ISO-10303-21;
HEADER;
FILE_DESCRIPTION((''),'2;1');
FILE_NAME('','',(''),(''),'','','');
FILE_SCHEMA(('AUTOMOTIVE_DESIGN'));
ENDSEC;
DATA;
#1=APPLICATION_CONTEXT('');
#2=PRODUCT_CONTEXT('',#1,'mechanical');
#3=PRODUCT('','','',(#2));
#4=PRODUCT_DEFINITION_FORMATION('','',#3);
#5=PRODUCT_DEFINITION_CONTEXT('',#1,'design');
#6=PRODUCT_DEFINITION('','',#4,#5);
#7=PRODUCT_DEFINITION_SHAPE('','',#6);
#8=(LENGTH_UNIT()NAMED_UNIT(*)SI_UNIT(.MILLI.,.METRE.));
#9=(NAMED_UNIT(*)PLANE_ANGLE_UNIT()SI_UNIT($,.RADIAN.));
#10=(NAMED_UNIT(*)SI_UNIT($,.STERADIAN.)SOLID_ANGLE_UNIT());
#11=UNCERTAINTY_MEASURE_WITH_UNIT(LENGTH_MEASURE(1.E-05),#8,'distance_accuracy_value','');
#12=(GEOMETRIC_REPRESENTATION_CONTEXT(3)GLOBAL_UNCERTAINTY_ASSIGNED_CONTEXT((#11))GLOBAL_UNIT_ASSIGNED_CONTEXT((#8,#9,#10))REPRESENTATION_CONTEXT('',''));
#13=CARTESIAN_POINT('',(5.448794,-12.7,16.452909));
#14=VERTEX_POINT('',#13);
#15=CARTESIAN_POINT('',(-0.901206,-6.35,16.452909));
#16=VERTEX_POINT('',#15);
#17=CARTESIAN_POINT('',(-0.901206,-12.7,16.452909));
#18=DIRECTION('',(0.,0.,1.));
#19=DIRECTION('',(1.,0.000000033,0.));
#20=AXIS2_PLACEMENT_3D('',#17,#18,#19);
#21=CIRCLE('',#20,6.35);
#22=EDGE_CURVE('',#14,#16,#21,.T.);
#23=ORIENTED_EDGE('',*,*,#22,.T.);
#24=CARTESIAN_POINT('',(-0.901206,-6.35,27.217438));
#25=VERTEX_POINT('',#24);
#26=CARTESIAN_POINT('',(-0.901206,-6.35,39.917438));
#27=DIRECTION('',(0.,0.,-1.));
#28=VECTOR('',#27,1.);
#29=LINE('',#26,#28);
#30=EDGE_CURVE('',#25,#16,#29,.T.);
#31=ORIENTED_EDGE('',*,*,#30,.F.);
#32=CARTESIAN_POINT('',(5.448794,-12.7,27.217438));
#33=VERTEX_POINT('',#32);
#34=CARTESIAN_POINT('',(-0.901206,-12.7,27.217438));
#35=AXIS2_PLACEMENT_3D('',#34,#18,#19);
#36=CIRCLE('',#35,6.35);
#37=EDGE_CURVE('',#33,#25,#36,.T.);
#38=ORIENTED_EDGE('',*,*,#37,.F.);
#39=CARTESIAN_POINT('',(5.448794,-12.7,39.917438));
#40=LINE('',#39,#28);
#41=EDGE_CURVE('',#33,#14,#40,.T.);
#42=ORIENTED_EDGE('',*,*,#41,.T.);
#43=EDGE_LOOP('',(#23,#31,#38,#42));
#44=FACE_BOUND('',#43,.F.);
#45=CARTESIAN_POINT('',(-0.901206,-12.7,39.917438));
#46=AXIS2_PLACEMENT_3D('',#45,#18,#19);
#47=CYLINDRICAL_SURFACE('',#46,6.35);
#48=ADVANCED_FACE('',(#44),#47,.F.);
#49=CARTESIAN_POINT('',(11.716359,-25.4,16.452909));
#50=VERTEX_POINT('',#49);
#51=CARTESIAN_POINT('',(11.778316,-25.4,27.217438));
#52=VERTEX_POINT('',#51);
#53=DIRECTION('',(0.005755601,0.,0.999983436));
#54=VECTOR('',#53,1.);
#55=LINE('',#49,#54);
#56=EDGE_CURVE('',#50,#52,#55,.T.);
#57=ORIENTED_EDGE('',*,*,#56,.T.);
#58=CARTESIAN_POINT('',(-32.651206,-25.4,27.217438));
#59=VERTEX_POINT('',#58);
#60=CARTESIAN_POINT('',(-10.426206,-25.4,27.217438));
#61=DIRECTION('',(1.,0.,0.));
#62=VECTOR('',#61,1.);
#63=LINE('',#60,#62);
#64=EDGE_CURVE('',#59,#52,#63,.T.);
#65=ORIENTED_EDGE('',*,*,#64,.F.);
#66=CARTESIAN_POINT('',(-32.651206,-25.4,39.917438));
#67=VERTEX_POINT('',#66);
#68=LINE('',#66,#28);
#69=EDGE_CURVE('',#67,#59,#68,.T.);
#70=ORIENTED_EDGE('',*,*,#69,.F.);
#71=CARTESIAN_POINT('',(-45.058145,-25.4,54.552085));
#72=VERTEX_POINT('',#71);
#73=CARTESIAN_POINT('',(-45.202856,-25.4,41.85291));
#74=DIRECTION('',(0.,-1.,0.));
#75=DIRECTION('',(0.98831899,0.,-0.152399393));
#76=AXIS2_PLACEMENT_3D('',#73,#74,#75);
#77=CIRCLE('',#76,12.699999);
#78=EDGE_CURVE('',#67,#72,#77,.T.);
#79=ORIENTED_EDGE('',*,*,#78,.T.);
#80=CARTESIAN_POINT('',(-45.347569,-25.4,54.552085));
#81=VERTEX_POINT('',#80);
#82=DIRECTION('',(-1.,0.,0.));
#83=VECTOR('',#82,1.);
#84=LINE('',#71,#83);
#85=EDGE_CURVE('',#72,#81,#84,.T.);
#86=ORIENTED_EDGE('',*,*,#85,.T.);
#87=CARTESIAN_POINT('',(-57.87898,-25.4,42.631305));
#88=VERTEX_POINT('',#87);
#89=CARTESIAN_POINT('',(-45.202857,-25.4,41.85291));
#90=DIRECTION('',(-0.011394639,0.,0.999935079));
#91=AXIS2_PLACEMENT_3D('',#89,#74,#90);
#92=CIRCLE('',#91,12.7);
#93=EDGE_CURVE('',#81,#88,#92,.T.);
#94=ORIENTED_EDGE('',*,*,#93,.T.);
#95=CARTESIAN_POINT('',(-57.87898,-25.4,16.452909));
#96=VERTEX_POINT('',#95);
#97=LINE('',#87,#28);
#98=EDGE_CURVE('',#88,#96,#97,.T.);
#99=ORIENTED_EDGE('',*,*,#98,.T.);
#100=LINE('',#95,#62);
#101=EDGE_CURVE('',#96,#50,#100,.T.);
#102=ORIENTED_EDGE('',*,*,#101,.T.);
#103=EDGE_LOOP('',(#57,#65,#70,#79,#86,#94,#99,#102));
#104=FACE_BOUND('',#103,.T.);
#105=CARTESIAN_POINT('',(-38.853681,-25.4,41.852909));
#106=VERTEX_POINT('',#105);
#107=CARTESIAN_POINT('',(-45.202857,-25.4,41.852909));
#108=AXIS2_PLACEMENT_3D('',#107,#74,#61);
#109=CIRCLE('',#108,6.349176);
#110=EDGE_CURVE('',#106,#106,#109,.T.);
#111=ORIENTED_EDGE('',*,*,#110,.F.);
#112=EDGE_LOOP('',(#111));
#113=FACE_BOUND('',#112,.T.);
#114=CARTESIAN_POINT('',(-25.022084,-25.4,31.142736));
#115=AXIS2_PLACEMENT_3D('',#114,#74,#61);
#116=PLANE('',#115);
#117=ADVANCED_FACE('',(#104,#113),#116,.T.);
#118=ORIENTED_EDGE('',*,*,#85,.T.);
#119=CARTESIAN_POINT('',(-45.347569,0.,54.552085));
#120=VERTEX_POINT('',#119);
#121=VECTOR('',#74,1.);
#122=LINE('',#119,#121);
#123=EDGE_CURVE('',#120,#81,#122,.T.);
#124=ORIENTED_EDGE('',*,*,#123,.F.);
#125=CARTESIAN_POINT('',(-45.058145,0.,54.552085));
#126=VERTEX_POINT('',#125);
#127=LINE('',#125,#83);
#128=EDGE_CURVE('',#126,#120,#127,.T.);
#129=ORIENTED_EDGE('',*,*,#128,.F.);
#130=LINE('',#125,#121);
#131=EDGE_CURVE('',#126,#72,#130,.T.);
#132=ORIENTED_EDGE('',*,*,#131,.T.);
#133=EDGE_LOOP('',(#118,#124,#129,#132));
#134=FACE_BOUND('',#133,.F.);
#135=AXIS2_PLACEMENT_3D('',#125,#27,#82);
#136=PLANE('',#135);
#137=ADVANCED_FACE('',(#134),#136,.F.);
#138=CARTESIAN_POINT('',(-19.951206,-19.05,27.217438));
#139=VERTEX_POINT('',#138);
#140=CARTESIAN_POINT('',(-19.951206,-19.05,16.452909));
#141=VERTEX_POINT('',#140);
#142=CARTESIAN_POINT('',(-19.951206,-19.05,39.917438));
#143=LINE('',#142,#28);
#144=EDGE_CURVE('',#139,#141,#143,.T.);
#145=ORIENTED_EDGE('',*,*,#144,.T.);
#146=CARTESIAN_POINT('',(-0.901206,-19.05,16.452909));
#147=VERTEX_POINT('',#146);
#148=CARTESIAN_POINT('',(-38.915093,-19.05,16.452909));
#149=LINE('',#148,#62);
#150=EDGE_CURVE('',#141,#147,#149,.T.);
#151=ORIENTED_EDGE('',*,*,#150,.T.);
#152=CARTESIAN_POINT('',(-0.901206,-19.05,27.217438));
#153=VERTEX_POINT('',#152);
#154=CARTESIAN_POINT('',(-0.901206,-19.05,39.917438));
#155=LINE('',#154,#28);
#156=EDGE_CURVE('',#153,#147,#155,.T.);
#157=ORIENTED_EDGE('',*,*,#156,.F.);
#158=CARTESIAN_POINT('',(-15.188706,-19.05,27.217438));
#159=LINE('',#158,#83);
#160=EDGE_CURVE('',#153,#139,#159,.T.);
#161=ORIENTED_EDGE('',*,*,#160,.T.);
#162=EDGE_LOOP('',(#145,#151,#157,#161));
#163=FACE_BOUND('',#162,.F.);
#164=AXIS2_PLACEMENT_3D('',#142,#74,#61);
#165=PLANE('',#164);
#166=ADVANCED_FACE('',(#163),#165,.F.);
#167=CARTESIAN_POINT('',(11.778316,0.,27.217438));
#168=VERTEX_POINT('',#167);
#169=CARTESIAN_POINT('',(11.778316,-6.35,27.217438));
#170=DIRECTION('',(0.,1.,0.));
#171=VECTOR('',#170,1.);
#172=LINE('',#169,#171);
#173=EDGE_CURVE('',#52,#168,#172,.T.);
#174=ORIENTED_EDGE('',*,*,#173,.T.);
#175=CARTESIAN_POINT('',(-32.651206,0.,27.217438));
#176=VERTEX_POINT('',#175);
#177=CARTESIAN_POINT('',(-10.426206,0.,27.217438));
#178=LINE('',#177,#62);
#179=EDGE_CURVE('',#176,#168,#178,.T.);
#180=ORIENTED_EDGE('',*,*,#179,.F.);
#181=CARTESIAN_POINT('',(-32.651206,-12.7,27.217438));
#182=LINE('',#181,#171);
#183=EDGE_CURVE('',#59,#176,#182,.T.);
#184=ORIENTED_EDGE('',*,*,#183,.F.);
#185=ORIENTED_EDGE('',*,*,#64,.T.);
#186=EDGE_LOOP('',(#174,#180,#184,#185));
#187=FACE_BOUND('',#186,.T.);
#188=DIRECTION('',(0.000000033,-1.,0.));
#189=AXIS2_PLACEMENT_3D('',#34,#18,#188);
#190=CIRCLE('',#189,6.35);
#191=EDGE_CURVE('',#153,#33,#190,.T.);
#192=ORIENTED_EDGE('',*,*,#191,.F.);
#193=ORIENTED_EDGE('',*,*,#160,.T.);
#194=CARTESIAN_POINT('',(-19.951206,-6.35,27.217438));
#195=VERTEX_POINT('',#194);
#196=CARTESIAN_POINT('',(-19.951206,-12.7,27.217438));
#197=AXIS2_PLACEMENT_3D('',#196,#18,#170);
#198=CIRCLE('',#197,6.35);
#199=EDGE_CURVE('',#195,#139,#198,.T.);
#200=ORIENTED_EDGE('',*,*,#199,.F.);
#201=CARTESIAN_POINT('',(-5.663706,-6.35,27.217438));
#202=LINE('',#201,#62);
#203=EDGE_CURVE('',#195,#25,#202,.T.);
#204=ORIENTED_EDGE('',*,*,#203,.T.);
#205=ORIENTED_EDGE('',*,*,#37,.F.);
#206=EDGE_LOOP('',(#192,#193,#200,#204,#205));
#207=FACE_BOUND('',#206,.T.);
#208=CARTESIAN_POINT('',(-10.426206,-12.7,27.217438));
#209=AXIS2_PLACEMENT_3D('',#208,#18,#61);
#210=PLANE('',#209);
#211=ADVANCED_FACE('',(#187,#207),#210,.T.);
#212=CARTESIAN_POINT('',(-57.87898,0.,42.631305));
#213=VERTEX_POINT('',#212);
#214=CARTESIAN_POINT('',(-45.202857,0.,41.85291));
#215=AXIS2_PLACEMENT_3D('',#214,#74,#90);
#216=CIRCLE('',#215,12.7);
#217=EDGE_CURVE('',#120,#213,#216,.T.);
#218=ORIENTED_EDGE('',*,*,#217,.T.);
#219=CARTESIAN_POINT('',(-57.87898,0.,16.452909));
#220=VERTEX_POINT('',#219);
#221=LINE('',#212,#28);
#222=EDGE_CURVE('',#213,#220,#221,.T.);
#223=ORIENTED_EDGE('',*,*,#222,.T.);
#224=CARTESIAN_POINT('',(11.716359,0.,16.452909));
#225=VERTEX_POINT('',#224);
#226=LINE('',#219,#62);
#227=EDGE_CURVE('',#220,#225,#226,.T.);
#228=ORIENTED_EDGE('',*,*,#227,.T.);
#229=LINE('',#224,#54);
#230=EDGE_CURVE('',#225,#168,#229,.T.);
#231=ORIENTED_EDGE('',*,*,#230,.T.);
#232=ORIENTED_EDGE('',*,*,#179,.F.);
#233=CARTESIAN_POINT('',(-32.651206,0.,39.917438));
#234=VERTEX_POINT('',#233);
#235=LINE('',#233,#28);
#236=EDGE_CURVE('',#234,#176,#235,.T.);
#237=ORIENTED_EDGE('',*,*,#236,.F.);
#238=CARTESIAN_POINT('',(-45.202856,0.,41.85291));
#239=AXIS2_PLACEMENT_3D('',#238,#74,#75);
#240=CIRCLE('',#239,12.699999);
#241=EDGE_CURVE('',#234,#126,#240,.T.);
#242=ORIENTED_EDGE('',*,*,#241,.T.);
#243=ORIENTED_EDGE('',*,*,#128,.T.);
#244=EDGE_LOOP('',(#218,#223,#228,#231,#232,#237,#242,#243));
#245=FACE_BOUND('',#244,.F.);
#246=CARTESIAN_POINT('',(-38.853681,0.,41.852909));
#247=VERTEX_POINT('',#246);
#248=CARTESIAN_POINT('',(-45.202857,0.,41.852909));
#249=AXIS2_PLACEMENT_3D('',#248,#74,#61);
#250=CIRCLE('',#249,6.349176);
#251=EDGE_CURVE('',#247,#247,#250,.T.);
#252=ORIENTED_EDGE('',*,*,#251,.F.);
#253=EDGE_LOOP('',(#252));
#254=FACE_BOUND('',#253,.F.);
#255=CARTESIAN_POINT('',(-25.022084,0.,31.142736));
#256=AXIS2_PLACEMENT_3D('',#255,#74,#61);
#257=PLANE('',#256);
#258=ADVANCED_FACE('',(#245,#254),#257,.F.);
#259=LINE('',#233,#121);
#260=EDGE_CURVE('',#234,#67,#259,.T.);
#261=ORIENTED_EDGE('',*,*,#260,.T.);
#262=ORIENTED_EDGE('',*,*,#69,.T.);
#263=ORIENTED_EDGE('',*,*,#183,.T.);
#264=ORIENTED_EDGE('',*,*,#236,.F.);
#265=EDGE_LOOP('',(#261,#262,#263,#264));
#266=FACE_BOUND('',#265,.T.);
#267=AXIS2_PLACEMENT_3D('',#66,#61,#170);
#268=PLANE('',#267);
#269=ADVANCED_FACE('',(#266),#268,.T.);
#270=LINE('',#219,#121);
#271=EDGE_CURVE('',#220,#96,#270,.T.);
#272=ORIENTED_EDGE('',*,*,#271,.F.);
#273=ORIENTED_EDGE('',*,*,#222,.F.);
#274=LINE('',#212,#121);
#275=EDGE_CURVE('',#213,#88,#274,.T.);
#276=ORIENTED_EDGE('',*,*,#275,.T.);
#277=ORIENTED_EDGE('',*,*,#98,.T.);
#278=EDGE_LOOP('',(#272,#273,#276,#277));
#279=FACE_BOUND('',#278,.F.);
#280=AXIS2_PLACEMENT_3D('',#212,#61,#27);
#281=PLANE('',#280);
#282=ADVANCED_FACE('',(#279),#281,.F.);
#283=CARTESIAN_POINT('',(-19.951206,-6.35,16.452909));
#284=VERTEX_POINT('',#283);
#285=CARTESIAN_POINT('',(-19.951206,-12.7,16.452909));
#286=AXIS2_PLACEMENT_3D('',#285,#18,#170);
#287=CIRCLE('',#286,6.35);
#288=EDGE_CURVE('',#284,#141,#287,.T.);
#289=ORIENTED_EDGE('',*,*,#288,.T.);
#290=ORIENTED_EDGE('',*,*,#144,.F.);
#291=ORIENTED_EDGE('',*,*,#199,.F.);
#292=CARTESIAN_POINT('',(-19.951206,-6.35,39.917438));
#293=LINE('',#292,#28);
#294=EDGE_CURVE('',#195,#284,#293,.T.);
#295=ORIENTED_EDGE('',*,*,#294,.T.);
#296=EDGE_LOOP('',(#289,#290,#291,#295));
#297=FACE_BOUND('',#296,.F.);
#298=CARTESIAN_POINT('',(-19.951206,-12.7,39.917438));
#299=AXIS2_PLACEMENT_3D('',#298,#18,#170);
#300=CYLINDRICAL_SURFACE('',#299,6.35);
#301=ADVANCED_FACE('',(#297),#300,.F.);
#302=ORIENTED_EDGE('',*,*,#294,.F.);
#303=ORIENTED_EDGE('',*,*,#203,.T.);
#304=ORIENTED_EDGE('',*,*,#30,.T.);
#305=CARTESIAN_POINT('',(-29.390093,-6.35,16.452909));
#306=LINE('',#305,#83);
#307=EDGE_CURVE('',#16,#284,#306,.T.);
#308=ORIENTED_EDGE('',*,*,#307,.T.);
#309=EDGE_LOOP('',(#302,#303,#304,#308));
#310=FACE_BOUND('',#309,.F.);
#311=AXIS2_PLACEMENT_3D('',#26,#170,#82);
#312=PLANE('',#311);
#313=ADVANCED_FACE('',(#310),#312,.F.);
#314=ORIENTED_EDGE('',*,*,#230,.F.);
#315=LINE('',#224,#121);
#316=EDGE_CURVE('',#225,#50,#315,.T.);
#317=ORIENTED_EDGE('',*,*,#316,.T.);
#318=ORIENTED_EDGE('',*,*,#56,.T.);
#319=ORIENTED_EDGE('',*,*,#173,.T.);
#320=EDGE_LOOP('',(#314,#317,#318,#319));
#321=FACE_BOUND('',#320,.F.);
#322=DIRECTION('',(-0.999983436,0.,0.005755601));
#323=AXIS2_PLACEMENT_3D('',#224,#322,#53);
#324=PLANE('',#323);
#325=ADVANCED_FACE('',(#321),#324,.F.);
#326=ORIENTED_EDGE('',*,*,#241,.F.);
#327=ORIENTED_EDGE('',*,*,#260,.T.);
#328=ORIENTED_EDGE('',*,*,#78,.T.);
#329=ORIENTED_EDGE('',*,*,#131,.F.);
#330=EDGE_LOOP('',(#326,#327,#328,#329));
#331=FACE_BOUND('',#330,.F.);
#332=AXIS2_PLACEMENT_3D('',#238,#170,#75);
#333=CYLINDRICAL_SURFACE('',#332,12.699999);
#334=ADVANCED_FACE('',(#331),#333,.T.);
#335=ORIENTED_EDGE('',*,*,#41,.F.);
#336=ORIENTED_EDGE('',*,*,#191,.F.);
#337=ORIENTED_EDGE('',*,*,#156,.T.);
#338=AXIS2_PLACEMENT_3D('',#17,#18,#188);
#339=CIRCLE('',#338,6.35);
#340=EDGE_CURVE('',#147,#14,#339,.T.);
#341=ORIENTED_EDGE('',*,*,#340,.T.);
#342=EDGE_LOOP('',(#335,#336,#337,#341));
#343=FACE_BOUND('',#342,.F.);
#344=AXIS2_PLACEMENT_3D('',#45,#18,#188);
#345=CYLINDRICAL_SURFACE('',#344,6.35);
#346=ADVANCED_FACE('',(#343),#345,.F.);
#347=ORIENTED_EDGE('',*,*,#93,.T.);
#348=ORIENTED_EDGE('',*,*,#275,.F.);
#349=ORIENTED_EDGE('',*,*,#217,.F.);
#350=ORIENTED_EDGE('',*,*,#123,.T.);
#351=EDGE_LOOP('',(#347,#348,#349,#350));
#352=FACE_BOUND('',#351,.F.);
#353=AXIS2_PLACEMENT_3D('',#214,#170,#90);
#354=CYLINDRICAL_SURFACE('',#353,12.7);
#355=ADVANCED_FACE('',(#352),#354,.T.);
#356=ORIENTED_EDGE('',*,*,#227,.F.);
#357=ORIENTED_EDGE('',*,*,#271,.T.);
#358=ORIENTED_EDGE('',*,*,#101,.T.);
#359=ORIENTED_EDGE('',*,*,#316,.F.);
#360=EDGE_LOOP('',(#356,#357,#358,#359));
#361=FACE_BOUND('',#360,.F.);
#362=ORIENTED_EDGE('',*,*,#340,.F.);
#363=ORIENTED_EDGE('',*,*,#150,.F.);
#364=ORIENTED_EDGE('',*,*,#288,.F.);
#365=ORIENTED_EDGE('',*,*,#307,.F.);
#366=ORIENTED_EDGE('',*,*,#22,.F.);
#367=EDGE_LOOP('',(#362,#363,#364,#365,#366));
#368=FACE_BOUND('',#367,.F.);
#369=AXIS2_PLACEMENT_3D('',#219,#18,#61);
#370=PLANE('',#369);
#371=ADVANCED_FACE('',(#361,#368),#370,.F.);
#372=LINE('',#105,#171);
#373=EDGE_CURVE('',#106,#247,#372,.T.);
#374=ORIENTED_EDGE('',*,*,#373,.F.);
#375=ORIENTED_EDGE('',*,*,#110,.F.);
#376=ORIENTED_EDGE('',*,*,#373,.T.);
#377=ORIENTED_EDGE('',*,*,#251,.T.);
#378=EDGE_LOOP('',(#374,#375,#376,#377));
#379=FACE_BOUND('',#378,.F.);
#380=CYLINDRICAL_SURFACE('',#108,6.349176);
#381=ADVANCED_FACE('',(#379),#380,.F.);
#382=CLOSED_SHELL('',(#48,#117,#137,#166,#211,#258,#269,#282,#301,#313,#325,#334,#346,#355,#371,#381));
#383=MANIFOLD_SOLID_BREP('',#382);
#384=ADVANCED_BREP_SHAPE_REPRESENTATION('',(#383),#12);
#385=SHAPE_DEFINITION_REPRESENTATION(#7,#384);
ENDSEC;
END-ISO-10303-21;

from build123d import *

# Parameters (mm, degrees)
F2_DEPTH = 25.4
F3_R     = 6.349176
F4_DEPTH = 25.401
F6_DEPTH = 23.465528
F7_W     = 44.45
F7_H     = 25.4
F8_DEPTH = 12.7


with BuildPart() as f2:
    # F1 (on face) → F2 (new body)
    with BuildSketch(Plane.XZ):
        with BuildLine():
            Line((11.798794, 39.917438), (-32.651206, 39.917438))
            ThreePointArc((-32.651206, 39.917438), (-35.515616, 50.065544), (-45.058145, 54.552085))
            Line((-45.058145, 54.552085), (-45.347569, 54.552085))
            ThreePointArc((-45.347569, 54.552085), (-53.956125, 51.054556), (-57.87898, 42.631305))
            Line((-57.87898, 42.631305), (-57.87898, 16.452909))
            Line((-57.87898, 16.452909), (11.716359, 16.452909))
            Line((11.716359, 16.452909), (11.798794, 30.775242))
            Line((11.798794, 30.775242), (11.798794, 39.917438))
        make_face()
    extrude(amount=F2_DEPTH)

    # F3 (on face) → F4 (cut, through all)
    with BuildSketch(Plane.XZ.offset(25.4)):
        with Locations((-45.202857, 41.852909)):
            Circle(F3_R)
    extrude(amount=-F4_DEPTH, mode=Mode.SUBTRACT)

    # F5 (on face) → F6 (cut, through all)
    with BuildSketch(Plane.XY.offset(39.917438)):
        with BuildLine():
            Line((-19.951206, -12.7), (-19.951206, -6.35))
            ThreePointArc((-19.951206, -6.35), (-26.301206, -12.7), (-19.951206, -19.05))
            Line((-19.951206, -19.05), (-19.951206, -12.7))
        make_face()
        with BuildLine():
            ThreePointArc((-13.601206, -12.7), (-15.461078, -8.209872), (-19.951206, -6.35))
            Line((-19.951206, -6.35), (-19.951206, -12.7))
            Line((-19.951206, -12.7), (-19.951206, -19.05))
            ThreePointArc((-19.951206, -19.05), (-15.461078, -17.190128), (-13.601206, -12.7))
        make_face()
        with BuildLine():
            ThreePointArc((-0.901206, -19.05), (-7.251206, -12.7), (-0.901206, -6.35))
            Line((-0.901206, -6.35), (-19.951206, -6.35))
            ThreePointArc((-19.951206, -6.35), (-15.461078, -8.209872), (-13.601206, -12.7))
            ThreePointArc((-13.601206, -12.7), (-15.461078, -17.190128), (-19.951206, -19.05))
            Line((-19.951206, -19.05), (-0.901206, -19.05))
        make_face()
        with BuildLine():
            ThreePointArc((-0.901206, -19.05), (3.588922, -17.190128), (5.448794, -12.7))
            ThreePointArc((5.448794, -12.7), (3.588922, -8.209872), (-0.901206, -6.35))
            ThreePointArc((-0.901206, -6.35), (-7.251206, -12.7), (-0.901206, -19.05))
        make_face()
    extrude(amount=-F6_DEPTH, mode=Mode.SUBTRACT)

    # F7 (on face) → F8 (cut)
    with BuildSketch(Plane.XY.offset(39.917438)):
        with Locations((-10.426206, -12.7)):
            Rectangle(F7_W, F7_H)
    extrude(amount=-F8_DEPTH, mode=Mode.SUBTRACT)


solid = f2.part
